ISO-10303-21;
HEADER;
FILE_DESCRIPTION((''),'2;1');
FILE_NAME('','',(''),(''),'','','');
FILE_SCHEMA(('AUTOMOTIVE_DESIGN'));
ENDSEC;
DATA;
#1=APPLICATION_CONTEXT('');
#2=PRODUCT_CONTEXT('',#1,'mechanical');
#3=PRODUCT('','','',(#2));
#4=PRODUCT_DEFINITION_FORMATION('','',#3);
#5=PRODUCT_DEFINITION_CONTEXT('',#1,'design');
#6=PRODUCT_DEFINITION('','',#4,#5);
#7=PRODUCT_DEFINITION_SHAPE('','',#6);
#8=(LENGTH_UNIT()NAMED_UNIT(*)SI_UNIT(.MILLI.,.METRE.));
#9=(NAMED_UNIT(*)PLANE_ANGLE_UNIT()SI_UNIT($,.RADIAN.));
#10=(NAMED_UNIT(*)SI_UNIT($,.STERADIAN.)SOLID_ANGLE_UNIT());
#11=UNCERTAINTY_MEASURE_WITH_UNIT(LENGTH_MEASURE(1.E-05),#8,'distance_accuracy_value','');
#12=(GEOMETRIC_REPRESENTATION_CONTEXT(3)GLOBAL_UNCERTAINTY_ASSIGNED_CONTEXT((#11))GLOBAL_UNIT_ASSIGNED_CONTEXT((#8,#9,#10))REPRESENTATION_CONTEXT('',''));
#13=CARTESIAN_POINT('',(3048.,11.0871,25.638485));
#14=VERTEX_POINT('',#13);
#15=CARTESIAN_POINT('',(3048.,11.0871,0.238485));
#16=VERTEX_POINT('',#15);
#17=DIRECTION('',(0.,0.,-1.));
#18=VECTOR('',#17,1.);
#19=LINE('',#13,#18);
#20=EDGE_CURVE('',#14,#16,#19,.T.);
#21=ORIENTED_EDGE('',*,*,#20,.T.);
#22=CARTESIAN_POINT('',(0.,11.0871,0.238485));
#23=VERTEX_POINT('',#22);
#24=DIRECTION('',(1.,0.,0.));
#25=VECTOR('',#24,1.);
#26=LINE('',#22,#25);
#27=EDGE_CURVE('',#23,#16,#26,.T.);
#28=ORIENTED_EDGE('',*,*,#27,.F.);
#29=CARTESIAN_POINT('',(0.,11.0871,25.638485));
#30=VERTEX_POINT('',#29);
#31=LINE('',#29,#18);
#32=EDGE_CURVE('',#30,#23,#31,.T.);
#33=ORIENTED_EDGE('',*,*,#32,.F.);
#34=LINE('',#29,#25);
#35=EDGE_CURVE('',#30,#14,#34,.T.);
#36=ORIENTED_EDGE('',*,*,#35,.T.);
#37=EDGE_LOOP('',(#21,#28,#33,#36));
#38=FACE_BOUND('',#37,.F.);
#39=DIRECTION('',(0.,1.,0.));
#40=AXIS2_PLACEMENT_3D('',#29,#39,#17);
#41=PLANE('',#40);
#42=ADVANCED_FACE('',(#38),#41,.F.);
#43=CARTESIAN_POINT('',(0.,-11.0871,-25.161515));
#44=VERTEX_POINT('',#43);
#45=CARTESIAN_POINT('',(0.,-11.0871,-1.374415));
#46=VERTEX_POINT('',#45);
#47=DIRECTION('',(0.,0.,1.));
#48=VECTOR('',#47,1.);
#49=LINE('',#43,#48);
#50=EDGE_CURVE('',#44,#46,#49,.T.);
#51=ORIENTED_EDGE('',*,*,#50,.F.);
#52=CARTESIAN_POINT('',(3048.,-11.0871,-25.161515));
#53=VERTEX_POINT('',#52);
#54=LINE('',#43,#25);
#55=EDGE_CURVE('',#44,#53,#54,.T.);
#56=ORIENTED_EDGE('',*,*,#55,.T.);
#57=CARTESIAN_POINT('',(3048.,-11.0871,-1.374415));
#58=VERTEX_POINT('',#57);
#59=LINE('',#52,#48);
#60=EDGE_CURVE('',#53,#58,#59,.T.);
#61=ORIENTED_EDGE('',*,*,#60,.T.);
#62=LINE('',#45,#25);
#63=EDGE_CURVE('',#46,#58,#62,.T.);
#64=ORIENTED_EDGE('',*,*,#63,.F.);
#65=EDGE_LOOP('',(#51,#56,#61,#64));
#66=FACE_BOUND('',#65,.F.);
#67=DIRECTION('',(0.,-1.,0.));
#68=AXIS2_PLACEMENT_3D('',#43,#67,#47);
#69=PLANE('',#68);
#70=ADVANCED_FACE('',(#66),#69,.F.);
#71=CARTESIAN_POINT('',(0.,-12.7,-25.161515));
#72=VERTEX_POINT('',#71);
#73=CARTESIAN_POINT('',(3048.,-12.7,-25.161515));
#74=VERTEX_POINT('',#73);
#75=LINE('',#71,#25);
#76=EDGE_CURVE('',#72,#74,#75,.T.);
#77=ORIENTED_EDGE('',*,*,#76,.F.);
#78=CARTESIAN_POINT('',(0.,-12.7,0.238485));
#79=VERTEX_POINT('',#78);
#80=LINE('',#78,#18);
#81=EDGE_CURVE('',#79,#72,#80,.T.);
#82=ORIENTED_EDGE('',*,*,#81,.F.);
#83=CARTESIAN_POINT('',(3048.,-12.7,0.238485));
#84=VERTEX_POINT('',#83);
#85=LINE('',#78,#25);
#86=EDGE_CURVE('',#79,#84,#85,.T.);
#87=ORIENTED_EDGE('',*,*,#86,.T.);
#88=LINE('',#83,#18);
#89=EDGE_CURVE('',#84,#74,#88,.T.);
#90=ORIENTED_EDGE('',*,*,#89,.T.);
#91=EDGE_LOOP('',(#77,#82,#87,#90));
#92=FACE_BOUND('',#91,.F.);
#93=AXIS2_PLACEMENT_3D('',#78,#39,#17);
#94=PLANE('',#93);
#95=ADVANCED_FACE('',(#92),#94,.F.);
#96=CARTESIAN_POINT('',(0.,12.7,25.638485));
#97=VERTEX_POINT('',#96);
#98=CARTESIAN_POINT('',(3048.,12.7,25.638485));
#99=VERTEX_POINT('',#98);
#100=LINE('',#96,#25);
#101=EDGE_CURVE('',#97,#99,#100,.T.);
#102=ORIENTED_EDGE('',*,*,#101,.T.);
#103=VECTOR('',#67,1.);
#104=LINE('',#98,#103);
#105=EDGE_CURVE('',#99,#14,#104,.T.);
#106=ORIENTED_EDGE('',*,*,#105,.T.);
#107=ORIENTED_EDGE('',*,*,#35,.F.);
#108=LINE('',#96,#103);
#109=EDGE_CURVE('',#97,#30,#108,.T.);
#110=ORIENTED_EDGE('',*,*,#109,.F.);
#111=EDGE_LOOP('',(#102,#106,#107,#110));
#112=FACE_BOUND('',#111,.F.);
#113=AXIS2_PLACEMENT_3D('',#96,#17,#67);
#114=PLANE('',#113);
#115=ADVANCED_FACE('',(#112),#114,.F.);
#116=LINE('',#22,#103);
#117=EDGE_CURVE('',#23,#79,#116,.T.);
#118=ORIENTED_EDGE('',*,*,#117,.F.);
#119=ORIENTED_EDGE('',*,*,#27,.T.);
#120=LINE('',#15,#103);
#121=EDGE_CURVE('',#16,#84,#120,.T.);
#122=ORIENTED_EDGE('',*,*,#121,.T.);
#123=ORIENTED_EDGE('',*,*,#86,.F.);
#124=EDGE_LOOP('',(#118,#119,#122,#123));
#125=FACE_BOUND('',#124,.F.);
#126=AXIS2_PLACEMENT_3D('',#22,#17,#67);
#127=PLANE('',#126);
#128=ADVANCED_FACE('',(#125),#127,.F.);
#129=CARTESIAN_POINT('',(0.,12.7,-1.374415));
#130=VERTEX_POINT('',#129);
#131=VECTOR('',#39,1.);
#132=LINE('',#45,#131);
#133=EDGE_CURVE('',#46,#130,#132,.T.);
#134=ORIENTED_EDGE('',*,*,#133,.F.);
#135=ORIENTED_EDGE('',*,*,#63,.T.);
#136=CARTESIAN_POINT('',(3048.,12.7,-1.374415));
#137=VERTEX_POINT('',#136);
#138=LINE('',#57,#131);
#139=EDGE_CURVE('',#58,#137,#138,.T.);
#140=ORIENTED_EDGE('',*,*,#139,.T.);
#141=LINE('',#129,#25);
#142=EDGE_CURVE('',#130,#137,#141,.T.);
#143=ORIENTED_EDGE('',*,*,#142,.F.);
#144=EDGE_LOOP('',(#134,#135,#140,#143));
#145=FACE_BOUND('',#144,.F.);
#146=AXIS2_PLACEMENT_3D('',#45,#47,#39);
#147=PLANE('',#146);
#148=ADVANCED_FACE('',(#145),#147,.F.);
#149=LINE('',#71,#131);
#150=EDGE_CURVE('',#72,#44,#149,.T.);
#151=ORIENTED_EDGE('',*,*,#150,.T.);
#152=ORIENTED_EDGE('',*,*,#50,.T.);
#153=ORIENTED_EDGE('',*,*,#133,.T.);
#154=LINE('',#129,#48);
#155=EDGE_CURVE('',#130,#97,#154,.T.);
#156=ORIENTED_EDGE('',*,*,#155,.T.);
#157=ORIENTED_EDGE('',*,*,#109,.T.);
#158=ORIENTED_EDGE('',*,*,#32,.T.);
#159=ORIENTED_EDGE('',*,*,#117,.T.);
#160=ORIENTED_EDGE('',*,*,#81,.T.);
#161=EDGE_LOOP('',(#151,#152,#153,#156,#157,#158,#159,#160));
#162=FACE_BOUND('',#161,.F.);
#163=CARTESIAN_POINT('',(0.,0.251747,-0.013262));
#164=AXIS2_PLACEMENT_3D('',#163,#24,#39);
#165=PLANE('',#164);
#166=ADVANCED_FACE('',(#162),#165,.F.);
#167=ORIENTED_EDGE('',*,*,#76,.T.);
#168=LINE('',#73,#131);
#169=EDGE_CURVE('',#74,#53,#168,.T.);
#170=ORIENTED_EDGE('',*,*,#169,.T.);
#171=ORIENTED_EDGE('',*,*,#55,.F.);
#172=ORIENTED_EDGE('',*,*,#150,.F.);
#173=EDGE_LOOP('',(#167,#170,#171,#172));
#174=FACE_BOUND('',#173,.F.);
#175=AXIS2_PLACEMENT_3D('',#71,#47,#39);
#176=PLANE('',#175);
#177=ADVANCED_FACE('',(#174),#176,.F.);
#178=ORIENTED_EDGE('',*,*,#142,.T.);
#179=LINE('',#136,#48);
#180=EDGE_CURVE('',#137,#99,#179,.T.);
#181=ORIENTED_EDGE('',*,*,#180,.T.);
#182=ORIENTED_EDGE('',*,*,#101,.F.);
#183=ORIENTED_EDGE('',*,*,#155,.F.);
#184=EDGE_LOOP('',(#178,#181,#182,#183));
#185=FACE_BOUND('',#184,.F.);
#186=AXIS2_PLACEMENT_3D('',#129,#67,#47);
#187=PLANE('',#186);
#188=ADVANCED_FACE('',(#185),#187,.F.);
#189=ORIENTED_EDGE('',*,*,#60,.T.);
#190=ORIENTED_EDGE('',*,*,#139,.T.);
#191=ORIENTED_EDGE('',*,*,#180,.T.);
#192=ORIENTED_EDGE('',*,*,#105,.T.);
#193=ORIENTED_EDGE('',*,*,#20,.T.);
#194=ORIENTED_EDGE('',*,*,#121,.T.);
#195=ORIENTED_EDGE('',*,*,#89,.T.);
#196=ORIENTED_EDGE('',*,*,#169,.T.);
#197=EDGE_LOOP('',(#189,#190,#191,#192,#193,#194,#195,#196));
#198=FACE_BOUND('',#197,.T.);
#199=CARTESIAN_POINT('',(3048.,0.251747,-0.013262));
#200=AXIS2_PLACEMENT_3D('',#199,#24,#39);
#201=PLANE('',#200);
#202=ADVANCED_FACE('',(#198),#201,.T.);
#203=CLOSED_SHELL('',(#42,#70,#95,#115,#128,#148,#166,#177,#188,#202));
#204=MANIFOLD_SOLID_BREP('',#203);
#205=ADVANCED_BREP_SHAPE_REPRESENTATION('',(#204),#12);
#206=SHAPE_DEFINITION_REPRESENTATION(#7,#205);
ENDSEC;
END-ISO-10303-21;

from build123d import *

# Parameters (mm, degrees)
F1_DEPTH = 3048


with BuildPart() as f1:
    # F0 (on Right) → F1 (new body)
    with BuildSketch(Plane.YZ):
        Polygon((-12.7, 0.238485), (-12.7, -25.161515), (-11.0871, -25.161515), (-11.0871, -1.374415), (12.7, -1.374415), (12.7, 0.238485), (12.7, 25.638485), (11.0871, 25.638485), (11.0871, 0.238485), align=None)
    extrude(amount=F1_DEPTH)


solid = f1.part
